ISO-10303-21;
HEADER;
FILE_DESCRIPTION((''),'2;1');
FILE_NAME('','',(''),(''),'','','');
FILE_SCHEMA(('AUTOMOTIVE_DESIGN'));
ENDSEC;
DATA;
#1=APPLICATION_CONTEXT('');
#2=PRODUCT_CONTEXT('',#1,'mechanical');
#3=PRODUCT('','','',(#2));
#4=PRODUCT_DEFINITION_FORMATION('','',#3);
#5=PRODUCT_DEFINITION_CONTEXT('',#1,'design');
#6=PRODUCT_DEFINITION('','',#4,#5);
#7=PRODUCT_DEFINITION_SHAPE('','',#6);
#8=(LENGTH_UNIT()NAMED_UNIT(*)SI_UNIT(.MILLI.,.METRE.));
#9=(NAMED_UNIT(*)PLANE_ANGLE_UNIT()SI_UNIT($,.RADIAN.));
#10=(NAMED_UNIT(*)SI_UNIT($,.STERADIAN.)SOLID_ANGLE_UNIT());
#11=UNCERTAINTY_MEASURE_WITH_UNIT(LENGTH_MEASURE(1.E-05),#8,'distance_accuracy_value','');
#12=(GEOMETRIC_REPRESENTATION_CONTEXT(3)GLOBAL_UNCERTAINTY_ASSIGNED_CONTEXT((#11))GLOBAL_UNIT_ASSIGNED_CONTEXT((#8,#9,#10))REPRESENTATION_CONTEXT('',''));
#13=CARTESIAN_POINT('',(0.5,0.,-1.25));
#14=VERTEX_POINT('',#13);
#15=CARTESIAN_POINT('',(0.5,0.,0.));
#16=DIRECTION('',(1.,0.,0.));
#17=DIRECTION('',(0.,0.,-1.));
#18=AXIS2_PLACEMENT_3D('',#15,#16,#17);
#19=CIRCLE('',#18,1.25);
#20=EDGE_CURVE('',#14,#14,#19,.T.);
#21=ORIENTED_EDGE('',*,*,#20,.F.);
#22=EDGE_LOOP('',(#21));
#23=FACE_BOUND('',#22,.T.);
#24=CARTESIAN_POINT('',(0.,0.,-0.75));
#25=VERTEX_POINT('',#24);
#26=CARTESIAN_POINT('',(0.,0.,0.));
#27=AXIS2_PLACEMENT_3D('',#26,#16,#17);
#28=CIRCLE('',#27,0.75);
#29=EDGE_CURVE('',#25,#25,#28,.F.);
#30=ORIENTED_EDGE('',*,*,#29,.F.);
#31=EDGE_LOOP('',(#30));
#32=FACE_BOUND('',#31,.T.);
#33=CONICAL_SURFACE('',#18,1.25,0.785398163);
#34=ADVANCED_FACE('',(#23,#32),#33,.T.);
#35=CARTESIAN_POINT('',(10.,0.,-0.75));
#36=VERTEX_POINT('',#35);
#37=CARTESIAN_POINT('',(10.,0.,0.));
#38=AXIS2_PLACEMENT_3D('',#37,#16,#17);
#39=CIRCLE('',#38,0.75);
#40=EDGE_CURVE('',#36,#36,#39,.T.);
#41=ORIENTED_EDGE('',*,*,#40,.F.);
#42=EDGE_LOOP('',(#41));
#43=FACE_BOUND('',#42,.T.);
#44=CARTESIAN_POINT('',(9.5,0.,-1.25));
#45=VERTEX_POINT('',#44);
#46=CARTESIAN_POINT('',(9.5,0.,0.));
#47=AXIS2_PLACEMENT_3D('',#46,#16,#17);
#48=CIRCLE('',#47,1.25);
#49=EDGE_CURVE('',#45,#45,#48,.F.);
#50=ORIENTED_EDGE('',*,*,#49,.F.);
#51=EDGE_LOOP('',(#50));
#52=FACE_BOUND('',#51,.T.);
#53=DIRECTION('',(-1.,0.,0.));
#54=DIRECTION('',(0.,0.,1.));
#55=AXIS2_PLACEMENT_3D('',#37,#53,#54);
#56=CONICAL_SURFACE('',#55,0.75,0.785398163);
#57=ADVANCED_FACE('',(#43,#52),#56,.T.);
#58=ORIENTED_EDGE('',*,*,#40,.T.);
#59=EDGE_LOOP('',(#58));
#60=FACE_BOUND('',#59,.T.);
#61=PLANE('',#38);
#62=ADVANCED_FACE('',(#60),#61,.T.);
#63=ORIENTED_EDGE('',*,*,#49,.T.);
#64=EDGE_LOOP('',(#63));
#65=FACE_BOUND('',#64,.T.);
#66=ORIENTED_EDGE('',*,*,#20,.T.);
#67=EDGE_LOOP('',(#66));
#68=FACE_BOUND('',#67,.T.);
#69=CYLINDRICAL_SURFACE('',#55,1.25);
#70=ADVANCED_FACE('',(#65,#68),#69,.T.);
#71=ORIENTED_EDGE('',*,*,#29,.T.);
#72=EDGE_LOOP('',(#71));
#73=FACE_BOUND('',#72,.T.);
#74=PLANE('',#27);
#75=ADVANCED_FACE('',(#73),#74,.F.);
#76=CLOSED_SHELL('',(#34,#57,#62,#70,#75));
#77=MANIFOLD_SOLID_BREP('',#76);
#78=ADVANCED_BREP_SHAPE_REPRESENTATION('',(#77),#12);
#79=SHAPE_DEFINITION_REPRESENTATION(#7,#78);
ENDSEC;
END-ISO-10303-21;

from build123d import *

# Parameters (mm, degrees)
SKETCH1_R           = 1.25
BOSS_EXTRUDE1_DEPTH = 10
CHAMFER1_SIZE       = 0.5


with BuildPart() as part:
    # Sketch1 → Boss-Extrude1 (new body)
    with BuildSketch(Plane(origin=(0, 0, 0), x_dir=(0, 0, -1), z_dir=(1, 0, 0))):
        Circle(SKETCH1_R)
    extrude(amount=BOSS_EXTRUDE1_DEPTH)

    # Chamfer1
    chamfer1_edges = [part.edges().sort_by_distance(p)[0] for p in [
        (0, 0, 1.25),
        (10, 0, 1.25),
    ]]
    chamfer(chamfer1_edges, length=CHAMFER1_SIZE)


solid = part.part
